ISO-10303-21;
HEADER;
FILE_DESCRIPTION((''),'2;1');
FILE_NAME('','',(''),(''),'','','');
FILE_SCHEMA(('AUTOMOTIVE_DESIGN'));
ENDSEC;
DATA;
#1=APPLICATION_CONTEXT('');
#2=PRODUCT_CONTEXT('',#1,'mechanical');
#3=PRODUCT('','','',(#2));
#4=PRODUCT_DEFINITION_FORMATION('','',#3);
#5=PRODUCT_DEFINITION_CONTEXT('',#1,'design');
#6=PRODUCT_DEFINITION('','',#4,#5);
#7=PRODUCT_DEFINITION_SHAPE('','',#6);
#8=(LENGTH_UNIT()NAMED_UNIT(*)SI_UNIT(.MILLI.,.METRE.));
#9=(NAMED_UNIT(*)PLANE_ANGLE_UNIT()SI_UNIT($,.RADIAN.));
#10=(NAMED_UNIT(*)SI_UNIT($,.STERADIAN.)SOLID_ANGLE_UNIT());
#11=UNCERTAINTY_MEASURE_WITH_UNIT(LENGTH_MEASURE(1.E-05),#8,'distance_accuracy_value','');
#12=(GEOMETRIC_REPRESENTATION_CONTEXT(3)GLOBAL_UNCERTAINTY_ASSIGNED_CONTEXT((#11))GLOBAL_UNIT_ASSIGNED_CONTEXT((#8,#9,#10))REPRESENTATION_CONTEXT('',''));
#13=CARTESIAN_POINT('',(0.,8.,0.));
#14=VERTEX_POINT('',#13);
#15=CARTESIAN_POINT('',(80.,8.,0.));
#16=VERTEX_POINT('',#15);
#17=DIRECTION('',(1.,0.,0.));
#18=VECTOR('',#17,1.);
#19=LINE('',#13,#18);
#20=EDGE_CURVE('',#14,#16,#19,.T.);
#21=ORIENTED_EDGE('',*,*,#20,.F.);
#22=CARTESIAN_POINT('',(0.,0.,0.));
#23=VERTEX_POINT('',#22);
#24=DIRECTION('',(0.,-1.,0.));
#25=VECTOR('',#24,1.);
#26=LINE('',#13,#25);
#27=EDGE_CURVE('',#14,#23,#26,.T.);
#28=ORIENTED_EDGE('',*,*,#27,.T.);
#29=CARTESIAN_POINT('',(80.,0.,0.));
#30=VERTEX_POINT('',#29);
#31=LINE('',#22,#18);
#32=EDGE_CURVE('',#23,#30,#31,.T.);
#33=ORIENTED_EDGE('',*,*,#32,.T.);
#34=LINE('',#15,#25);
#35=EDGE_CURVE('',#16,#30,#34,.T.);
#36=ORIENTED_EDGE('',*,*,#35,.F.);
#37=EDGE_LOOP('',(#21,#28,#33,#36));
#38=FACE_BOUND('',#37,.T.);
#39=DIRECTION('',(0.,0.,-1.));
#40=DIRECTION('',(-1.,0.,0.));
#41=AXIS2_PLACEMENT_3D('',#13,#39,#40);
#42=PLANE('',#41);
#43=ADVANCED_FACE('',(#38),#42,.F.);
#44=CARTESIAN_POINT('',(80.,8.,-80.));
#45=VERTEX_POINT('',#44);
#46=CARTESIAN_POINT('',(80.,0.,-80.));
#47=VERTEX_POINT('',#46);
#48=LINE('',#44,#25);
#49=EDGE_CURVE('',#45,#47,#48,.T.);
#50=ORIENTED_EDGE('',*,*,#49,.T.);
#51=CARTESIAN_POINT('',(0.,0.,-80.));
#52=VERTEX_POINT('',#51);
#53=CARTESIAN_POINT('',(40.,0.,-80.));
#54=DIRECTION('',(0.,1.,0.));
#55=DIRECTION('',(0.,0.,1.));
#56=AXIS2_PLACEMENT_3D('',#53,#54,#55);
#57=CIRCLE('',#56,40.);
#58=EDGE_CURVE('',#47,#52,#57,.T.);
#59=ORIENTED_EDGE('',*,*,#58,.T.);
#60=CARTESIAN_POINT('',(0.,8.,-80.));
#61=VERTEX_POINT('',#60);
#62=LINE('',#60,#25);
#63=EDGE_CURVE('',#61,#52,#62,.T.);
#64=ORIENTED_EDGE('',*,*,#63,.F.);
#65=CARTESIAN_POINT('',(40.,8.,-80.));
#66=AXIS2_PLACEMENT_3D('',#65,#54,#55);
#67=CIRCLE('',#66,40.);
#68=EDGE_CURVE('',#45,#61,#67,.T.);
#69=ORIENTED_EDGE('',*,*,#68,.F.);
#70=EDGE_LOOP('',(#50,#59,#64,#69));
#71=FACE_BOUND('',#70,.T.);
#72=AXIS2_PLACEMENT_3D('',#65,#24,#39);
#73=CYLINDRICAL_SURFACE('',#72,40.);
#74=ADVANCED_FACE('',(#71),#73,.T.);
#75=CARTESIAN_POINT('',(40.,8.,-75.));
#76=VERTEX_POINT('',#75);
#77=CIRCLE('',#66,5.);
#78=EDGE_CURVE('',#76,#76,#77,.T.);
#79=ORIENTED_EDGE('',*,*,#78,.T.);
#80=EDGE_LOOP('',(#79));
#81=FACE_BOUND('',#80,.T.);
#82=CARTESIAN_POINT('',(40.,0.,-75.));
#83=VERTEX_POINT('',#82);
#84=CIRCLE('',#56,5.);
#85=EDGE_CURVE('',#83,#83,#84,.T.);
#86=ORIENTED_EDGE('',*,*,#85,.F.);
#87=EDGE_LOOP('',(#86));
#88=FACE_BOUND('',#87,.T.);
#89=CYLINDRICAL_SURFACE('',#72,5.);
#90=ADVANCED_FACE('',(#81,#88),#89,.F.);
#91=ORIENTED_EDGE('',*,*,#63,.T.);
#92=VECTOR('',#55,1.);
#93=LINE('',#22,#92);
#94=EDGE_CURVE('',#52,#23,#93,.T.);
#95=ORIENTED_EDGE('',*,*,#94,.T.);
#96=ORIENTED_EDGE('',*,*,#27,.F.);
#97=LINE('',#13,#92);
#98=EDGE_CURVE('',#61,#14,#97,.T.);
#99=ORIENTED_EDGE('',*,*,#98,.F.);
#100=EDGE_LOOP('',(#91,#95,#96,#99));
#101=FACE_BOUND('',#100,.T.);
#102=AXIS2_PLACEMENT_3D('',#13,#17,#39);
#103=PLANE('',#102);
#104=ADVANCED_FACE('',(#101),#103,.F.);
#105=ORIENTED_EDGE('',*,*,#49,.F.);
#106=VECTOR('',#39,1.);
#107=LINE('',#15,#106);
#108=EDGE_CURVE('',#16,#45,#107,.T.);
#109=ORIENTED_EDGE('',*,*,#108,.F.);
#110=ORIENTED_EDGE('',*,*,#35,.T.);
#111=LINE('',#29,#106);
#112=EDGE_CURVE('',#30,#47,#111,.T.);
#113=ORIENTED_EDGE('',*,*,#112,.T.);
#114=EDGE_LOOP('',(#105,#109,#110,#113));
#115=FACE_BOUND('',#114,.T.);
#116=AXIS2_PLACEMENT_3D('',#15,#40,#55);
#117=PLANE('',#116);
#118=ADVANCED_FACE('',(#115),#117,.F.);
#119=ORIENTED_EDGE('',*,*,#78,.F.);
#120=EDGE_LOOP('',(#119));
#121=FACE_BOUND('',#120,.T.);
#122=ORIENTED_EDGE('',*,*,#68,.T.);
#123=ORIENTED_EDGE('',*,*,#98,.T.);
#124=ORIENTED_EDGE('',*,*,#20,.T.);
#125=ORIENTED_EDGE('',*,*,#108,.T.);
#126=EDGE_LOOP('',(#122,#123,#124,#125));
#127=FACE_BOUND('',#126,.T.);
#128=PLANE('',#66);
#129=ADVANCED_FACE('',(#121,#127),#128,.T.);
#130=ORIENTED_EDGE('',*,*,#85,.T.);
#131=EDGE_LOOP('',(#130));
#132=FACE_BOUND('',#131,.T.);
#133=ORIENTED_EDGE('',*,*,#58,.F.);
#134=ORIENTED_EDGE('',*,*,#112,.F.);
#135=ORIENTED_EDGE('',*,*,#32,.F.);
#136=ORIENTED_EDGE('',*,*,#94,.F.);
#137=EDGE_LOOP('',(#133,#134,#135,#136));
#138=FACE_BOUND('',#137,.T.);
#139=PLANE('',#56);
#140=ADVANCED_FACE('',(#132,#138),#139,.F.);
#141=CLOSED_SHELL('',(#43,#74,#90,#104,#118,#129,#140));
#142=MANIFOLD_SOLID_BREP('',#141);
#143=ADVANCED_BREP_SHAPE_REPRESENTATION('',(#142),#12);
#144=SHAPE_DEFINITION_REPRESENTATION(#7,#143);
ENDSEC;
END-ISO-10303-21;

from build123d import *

# Parameters (mm, degrees)
SKETCH1_R           = 5
BOSS_EXTRUDE1_DEPTH = 8


with BuildPart() as part:
    # Sketch1 → Boss-Extrude1 (new body)
    with BuildSketch(Plane(origin=(0, 0, 0), x_dir=(1, 0, 0), z_dir=(0, 1, 0))):
        with BuildLine():
            Line((0, 0), (80, 0))
            Line((80, 0), (80, 80))
            ThreePointArc((80, 80), (40, 120), (0, 80))
            Line((0, 80), (0, 0))
        make_face()
        with Locations(Location((40, 80, 0), (0, 0, 270))):
            Circle(SKETCH1_R, mode=Mode.SUBTRACT)
    extrude(amount=BOSS_EXTRUDE1_DEPTH)


solid = part.part
